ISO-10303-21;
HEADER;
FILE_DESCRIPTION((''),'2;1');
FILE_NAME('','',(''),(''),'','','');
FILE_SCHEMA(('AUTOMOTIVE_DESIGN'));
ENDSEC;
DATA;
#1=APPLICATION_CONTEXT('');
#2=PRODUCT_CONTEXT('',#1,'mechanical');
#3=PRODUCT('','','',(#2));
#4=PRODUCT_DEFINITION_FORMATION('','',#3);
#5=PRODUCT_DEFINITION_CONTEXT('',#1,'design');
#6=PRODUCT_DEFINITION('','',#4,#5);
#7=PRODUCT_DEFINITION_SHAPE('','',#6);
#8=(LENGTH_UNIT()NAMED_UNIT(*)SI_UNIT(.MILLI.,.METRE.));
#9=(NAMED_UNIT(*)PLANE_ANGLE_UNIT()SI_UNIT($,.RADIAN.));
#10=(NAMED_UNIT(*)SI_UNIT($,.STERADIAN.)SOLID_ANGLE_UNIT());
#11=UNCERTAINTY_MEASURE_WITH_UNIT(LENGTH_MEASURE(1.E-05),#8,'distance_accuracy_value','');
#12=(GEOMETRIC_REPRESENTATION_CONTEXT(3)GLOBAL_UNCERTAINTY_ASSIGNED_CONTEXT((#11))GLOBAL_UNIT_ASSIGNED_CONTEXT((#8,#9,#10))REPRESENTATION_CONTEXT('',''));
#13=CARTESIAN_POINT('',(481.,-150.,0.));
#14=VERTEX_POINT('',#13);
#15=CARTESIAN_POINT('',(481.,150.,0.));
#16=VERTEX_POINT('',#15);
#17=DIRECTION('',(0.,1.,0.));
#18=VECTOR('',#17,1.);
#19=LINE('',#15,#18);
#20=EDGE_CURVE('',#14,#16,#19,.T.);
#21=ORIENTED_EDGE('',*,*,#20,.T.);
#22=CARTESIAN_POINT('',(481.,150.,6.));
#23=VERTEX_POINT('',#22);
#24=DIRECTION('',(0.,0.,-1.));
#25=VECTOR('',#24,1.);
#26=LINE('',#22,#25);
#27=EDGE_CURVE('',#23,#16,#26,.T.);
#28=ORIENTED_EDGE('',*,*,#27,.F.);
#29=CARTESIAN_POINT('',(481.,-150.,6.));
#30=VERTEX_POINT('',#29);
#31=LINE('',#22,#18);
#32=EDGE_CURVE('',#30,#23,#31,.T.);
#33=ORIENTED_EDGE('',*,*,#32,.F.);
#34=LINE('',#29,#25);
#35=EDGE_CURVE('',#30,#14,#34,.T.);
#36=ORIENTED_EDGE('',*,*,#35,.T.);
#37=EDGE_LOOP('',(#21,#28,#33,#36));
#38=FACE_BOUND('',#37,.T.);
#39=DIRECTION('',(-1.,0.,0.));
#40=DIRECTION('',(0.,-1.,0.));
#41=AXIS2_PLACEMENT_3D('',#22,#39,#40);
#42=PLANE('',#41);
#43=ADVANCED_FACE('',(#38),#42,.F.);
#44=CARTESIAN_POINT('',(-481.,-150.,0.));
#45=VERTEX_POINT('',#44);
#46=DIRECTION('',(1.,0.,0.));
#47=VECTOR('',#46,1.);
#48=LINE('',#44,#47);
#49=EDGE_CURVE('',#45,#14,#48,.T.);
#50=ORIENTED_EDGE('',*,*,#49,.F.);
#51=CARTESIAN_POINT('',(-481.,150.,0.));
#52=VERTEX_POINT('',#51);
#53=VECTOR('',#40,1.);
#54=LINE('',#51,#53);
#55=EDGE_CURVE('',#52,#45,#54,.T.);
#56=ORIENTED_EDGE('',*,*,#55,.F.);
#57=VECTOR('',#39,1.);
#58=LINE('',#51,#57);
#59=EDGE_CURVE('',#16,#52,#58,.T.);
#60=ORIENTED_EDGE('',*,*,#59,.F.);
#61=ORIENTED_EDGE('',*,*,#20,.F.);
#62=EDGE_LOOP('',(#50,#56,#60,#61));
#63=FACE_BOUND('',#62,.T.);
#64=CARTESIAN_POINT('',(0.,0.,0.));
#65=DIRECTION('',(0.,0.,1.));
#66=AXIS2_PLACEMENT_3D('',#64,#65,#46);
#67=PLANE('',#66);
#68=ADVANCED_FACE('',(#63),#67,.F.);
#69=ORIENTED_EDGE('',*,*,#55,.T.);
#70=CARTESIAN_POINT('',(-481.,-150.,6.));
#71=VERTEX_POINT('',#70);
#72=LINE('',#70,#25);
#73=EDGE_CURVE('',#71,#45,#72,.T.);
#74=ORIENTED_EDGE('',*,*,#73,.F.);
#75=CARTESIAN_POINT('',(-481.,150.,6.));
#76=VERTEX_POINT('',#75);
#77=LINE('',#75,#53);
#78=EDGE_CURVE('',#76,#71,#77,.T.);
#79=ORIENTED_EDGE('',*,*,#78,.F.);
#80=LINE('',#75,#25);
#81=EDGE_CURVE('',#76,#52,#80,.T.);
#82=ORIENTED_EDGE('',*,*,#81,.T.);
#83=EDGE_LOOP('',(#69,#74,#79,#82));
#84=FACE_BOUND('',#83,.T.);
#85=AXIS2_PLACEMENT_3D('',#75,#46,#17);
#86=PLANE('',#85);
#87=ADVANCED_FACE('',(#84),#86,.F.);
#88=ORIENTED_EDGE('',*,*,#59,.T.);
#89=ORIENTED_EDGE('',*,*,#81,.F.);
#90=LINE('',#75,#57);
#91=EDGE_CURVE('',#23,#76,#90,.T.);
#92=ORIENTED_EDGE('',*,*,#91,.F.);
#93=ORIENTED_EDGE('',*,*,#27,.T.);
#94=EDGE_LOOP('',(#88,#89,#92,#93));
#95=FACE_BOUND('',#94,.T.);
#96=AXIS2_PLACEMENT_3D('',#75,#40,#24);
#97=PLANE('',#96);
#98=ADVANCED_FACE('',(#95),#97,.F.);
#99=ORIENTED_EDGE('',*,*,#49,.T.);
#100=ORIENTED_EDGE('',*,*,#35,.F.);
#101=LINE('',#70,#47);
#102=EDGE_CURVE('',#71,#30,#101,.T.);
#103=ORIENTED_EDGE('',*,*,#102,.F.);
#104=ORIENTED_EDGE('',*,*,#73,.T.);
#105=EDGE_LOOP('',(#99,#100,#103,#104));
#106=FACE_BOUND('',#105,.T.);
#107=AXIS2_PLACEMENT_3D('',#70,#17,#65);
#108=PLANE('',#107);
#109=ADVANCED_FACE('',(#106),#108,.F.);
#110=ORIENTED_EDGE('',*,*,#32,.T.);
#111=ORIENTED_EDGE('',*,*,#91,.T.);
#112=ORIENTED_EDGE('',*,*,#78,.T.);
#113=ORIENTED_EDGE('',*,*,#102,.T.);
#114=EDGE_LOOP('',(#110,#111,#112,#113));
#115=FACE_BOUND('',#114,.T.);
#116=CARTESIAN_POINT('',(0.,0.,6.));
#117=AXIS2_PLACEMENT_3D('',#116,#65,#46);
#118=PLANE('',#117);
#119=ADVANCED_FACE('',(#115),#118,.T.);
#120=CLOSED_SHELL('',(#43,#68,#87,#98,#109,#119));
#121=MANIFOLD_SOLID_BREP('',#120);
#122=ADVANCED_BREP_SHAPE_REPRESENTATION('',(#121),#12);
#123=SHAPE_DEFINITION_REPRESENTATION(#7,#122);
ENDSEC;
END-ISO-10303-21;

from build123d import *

# Parameters (mm, degrees)
SKETCH_1_W      = 962
SKETCH_1_H      = 300
EXTRUDE_1_DEPTH = 6


with BuildPart() as part:
    # Эскиз1 → Бобышка-Вытянуть1 (new body)
    with BuildSketch(Plane.XY):
        Rectangle(SKETCH_1_W, SKETCH_1_H)
    extrude(amount=EXTRUDE_1_DEPTH)


solid = part.part
